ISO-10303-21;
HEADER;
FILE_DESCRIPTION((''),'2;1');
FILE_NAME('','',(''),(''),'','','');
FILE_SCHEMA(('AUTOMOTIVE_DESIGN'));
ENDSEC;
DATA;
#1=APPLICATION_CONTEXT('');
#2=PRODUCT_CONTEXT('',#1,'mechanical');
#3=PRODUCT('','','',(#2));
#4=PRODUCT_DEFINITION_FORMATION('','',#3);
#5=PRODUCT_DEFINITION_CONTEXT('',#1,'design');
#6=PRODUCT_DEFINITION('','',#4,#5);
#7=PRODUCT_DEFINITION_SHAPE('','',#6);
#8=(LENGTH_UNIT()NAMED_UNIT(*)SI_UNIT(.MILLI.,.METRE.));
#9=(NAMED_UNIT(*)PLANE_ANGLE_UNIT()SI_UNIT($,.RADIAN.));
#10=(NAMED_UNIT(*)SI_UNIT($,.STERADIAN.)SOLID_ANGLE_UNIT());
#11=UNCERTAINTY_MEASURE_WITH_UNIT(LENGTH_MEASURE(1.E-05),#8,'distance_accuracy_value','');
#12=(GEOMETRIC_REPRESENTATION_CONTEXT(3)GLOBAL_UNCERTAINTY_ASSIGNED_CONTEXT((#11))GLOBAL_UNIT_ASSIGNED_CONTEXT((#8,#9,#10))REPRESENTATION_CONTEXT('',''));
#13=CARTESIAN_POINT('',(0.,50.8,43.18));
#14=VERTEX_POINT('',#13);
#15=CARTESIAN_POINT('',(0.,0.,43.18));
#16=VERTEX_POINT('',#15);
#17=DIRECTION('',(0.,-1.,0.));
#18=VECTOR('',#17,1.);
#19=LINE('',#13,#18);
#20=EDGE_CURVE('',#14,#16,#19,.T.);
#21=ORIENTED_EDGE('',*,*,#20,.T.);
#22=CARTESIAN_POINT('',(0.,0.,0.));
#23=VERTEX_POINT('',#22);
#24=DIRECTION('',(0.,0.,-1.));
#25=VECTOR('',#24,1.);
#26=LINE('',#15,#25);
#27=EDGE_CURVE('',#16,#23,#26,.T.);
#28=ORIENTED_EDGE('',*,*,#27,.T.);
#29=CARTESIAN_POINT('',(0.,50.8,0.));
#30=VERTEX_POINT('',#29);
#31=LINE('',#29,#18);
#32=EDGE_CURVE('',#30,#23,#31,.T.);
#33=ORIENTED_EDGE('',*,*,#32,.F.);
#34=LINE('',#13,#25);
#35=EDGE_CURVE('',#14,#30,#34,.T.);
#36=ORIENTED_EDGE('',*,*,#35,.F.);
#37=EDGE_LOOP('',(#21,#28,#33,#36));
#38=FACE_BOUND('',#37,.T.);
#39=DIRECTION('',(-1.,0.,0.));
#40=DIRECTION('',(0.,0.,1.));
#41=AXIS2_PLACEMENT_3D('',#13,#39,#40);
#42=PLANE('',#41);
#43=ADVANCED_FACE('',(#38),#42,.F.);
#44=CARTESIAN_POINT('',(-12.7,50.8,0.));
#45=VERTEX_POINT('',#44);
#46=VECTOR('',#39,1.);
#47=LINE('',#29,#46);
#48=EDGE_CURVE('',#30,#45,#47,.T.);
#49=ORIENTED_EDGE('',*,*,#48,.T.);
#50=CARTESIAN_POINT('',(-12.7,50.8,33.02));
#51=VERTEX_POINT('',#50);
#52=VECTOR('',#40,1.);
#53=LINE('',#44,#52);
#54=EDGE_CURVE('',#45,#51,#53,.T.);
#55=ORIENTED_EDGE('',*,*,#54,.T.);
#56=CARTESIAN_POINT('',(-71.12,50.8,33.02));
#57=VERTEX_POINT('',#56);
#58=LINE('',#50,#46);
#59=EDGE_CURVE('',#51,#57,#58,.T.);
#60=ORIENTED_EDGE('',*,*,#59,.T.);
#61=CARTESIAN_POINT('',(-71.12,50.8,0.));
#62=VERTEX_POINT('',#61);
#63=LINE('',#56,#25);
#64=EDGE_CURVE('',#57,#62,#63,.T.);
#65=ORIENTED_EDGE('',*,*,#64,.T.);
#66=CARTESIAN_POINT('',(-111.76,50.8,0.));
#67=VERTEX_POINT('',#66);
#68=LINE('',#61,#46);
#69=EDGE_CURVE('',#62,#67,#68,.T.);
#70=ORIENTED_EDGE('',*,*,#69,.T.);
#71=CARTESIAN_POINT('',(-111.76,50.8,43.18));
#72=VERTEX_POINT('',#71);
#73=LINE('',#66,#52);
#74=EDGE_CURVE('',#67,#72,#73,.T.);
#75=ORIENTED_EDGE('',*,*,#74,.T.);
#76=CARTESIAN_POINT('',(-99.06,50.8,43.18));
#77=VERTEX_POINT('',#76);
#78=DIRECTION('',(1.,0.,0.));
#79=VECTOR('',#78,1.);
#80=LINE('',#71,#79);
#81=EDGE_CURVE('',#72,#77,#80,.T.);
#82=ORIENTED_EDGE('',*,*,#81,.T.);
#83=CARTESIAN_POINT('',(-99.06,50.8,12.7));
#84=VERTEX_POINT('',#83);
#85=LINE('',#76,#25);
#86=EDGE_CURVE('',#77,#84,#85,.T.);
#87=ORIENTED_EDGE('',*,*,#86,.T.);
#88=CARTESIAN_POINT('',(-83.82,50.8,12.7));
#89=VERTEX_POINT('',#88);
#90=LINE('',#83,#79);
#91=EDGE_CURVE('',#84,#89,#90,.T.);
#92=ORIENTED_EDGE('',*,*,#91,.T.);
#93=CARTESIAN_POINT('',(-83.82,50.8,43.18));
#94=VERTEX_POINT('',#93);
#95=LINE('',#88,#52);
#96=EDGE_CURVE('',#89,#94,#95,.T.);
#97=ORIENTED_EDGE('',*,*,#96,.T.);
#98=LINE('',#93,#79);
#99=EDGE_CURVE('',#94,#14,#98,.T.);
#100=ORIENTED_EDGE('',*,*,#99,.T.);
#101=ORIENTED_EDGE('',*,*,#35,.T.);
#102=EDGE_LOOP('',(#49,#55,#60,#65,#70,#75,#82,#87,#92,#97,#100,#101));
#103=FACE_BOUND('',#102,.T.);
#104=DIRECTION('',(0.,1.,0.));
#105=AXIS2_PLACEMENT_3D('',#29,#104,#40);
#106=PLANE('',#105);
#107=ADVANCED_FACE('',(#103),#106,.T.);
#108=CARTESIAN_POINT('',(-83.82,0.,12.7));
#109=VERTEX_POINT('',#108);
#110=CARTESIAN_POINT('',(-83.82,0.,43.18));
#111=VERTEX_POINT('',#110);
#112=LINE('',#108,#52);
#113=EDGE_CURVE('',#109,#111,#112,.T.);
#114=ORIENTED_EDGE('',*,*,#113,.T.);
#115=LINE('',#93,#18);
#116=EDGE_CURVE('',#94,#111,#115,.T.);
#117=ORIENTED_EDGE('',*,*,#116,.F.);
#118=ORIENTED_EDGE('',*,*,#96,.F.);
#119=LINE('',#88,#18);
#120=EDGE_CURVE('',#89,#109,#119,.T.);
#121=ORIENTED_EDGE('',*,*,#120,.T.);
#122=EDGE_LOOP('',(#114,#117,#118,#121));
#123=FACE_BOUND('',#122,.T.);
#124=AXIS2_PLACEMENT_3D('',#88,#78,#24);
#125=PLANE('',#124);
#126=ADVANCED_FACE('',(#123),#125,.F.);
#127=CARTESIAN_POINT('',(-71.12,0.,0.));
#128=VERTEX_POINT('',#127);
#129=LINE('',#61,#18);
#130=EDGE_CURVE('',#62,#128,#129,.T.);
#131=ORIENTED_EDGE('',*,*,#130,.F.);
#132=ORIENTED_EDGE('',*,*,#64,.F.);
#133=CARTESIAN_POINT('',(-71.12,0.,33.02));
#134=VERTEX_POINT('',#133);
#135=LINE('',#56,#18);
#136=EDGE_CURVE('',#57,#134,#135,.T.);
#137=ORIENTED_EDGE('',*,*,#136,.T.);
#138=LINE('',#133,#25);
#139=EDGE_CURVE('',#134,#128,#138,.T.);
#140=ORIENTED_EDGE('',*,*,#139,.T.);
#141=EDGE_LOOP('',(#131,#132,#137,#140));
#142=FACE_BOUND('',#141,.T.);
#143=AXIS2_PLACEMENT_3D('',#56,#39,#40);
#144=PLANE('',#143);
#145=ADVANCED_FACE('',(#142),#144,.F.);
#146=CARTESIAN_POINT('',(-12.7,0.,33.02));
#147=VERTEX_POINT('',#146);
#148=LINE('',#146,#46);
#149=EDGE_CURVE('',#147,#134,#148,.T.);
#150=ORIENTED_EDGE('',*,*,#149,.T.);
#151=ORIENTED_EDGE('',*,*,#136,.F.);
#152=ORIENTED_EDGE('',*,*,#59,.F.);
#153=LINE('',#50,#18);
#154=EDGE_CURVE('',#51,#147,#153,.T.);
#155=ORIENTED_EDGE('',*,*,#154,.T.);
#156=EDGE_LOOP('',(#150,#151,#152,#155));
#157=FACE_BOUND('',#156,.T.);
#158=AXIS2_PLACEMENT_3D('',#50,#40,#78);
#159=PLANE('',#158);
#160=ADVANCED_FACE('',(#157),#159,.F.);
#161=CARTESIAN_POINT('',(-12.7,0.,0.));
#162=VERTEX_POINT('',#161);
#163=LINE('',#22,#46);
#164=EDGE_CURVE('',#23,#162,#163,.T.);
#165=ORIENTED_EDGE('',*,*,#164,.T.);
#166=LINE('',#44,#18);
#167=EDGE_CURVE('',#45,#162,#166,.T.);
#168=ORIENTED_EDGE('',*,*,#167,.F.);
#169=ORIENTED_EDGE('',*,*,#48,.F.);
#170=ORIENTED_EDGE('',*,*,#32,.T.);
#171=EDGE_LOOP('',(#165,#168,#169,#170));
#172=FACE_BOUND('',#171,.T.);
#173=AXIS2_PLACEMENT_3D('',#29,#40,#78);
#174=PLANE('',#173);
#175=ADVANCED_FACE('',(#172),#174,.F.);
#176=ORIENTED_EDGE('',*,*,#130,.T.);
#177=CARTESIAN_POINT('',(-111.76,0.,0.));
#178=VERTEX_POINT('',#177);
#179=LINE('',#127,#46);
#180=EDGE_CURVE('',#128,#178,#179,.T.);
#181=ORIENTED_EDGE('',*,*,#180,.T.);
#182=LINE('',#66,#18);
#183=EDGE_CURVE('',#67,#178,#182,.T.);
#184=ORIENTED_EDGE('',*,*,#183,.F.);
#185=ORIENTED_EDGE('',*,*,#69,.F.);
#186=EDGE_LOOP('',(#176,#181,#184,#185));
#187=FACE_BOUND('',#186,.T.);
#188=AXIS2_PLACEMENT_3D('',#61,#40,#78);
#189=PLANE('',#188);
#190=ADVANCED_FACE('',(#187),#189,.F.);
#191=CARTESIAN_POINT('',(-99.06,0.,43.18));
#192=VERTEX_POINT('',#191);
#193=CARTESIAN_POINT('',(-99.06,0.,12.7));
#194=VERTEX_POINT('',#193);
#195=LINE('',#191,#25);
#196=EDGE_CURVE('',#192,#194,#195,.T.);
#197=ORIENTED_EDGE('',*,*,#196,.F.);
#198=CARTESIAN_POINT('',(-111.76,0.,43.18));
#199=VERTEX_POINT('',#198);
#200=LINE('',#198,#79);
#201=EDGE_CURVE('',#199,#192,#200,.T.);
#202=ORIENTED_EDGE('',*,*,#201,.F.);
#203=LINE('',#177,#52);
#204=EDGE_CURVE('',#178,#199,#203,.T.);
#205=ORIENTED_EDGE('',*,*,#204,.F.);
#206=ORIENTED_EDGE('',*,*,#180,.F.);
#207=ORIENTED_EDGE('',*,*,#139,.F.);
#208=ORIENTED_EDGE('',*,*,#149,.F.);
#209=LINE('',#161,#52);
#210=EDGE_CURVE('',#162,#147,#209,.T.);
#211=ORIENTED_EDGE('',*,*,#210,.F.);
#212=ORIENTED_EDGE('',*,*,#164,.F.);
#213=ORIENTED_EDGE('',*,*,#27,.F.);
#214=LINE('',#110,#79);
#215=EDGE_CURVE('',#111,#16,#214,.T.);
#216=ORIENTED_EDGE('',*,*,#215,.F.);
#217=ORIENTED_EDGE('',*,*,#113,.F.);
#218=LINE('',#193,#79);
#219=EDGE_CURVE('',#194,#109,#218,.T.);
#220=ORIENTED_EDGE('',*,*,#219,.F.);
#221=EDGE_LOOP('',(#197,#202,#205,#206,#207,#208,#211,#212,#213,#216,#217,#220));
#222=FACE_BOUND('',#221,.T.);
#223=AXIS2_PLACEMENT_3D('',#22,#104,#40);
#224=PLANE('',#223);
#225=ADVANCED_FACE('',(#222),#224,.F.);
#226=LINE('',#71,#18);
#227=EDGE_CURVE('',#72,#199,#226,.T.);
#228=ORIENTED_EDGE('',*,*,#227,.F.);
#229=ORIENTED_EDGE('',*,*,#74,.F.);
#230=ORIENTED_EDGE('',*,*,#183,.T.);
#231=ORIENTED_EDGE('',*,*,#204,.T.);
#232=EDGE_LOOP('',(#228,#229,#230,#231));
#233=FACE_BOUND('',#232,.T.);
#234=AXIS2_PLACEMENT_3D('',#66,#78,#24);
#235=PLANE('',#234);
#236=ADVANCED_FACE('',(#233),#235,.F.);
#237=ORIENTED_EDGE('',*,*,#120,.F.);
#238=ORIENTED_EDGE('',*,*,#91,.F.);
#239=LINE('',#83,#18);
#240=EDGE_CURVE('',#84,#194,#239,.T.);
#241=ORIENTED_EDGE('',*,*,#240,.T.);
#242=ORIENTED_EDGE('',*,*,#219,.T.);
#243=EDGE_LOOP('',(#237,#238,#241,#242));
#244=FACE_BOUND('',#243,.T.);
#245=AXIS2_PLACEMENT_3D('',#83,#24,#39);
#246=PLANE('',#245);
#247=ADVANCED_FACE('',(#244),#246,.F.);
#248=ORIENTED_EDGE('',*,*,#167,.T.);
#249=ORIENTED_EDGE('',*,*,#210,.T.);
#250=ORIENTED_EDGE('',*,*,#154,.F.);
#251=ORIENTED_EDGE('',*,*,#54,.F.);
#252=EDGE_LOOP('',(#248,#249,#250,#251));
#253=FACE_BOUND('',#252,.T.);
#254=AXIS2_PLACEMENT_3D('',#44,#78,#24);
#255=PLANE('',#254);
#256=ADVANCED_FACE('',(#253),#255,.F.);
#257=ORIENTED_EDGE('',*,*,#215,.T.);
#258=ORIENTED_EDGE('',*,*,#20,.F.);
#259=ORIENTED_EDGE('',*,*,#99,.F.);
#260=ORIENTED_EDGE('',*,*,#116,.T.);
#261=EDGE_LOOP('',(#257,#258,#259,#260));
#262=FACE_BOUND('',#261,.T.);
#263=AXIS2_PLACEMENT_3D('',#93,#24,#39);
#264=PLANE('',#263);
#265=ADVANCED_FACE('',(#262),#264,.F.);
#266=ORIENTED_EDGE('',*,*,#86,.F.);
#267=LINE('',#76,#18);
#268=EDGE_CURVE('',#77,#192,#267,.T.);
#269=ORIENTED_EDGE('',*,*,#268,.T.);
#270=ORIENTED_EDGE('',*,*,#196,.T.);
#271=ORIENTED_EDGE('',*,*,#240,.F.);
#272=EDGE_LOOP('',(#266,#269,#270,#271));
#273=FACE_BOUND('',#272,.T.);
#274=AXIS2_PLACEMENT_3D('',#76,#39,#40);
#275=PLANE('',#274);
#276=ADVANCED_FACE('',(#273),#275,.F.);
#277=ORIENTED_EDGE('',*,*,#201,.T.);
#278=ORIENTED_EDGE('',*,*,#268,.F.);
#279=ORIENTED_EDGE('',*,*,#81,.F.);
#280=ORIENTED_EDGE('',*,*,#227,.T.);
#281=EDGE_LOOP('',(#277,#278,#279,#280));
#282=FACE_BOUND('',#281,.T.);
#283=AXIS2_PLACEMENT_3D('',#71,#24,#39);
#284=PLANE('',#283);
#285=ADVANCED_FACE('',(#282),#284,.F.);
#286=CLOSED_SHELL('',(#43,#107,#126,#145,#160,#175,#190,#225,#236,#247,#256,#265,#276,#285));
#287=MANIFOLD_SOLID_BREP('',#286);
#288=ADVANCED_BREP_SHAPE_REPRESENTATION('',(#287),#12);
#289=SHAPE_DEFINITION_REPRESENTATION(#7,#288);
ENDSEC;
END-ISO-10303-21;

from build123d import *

# Parameters (mm, degrees)
BOSS_EXTRUDE1_DEPTH = 50.8


with BuildPart() as part:
    # Sketch1 → Boss-Extrude1 (new body)
    with BuildSketch(Plane(origin=(0, 0, 0), x_dir=(1, 0, 0), z_dir=(0, 1, 0))):
        Polygon((0, 0), (-12.7, 0), (-12.7, -33.02), (-71.12, -33.02), (-71.12, 0), (-111.76, 0), (-111.76, -43.18), (-99.06, -43.18), (-99.06, -12.7), (-83.82, -12.7), (-83.82, -43.18), (0, -43.18), align=None)
    extrude(amount=BOSS_EXTRUDE1_DEPTH)


solid = part.part
